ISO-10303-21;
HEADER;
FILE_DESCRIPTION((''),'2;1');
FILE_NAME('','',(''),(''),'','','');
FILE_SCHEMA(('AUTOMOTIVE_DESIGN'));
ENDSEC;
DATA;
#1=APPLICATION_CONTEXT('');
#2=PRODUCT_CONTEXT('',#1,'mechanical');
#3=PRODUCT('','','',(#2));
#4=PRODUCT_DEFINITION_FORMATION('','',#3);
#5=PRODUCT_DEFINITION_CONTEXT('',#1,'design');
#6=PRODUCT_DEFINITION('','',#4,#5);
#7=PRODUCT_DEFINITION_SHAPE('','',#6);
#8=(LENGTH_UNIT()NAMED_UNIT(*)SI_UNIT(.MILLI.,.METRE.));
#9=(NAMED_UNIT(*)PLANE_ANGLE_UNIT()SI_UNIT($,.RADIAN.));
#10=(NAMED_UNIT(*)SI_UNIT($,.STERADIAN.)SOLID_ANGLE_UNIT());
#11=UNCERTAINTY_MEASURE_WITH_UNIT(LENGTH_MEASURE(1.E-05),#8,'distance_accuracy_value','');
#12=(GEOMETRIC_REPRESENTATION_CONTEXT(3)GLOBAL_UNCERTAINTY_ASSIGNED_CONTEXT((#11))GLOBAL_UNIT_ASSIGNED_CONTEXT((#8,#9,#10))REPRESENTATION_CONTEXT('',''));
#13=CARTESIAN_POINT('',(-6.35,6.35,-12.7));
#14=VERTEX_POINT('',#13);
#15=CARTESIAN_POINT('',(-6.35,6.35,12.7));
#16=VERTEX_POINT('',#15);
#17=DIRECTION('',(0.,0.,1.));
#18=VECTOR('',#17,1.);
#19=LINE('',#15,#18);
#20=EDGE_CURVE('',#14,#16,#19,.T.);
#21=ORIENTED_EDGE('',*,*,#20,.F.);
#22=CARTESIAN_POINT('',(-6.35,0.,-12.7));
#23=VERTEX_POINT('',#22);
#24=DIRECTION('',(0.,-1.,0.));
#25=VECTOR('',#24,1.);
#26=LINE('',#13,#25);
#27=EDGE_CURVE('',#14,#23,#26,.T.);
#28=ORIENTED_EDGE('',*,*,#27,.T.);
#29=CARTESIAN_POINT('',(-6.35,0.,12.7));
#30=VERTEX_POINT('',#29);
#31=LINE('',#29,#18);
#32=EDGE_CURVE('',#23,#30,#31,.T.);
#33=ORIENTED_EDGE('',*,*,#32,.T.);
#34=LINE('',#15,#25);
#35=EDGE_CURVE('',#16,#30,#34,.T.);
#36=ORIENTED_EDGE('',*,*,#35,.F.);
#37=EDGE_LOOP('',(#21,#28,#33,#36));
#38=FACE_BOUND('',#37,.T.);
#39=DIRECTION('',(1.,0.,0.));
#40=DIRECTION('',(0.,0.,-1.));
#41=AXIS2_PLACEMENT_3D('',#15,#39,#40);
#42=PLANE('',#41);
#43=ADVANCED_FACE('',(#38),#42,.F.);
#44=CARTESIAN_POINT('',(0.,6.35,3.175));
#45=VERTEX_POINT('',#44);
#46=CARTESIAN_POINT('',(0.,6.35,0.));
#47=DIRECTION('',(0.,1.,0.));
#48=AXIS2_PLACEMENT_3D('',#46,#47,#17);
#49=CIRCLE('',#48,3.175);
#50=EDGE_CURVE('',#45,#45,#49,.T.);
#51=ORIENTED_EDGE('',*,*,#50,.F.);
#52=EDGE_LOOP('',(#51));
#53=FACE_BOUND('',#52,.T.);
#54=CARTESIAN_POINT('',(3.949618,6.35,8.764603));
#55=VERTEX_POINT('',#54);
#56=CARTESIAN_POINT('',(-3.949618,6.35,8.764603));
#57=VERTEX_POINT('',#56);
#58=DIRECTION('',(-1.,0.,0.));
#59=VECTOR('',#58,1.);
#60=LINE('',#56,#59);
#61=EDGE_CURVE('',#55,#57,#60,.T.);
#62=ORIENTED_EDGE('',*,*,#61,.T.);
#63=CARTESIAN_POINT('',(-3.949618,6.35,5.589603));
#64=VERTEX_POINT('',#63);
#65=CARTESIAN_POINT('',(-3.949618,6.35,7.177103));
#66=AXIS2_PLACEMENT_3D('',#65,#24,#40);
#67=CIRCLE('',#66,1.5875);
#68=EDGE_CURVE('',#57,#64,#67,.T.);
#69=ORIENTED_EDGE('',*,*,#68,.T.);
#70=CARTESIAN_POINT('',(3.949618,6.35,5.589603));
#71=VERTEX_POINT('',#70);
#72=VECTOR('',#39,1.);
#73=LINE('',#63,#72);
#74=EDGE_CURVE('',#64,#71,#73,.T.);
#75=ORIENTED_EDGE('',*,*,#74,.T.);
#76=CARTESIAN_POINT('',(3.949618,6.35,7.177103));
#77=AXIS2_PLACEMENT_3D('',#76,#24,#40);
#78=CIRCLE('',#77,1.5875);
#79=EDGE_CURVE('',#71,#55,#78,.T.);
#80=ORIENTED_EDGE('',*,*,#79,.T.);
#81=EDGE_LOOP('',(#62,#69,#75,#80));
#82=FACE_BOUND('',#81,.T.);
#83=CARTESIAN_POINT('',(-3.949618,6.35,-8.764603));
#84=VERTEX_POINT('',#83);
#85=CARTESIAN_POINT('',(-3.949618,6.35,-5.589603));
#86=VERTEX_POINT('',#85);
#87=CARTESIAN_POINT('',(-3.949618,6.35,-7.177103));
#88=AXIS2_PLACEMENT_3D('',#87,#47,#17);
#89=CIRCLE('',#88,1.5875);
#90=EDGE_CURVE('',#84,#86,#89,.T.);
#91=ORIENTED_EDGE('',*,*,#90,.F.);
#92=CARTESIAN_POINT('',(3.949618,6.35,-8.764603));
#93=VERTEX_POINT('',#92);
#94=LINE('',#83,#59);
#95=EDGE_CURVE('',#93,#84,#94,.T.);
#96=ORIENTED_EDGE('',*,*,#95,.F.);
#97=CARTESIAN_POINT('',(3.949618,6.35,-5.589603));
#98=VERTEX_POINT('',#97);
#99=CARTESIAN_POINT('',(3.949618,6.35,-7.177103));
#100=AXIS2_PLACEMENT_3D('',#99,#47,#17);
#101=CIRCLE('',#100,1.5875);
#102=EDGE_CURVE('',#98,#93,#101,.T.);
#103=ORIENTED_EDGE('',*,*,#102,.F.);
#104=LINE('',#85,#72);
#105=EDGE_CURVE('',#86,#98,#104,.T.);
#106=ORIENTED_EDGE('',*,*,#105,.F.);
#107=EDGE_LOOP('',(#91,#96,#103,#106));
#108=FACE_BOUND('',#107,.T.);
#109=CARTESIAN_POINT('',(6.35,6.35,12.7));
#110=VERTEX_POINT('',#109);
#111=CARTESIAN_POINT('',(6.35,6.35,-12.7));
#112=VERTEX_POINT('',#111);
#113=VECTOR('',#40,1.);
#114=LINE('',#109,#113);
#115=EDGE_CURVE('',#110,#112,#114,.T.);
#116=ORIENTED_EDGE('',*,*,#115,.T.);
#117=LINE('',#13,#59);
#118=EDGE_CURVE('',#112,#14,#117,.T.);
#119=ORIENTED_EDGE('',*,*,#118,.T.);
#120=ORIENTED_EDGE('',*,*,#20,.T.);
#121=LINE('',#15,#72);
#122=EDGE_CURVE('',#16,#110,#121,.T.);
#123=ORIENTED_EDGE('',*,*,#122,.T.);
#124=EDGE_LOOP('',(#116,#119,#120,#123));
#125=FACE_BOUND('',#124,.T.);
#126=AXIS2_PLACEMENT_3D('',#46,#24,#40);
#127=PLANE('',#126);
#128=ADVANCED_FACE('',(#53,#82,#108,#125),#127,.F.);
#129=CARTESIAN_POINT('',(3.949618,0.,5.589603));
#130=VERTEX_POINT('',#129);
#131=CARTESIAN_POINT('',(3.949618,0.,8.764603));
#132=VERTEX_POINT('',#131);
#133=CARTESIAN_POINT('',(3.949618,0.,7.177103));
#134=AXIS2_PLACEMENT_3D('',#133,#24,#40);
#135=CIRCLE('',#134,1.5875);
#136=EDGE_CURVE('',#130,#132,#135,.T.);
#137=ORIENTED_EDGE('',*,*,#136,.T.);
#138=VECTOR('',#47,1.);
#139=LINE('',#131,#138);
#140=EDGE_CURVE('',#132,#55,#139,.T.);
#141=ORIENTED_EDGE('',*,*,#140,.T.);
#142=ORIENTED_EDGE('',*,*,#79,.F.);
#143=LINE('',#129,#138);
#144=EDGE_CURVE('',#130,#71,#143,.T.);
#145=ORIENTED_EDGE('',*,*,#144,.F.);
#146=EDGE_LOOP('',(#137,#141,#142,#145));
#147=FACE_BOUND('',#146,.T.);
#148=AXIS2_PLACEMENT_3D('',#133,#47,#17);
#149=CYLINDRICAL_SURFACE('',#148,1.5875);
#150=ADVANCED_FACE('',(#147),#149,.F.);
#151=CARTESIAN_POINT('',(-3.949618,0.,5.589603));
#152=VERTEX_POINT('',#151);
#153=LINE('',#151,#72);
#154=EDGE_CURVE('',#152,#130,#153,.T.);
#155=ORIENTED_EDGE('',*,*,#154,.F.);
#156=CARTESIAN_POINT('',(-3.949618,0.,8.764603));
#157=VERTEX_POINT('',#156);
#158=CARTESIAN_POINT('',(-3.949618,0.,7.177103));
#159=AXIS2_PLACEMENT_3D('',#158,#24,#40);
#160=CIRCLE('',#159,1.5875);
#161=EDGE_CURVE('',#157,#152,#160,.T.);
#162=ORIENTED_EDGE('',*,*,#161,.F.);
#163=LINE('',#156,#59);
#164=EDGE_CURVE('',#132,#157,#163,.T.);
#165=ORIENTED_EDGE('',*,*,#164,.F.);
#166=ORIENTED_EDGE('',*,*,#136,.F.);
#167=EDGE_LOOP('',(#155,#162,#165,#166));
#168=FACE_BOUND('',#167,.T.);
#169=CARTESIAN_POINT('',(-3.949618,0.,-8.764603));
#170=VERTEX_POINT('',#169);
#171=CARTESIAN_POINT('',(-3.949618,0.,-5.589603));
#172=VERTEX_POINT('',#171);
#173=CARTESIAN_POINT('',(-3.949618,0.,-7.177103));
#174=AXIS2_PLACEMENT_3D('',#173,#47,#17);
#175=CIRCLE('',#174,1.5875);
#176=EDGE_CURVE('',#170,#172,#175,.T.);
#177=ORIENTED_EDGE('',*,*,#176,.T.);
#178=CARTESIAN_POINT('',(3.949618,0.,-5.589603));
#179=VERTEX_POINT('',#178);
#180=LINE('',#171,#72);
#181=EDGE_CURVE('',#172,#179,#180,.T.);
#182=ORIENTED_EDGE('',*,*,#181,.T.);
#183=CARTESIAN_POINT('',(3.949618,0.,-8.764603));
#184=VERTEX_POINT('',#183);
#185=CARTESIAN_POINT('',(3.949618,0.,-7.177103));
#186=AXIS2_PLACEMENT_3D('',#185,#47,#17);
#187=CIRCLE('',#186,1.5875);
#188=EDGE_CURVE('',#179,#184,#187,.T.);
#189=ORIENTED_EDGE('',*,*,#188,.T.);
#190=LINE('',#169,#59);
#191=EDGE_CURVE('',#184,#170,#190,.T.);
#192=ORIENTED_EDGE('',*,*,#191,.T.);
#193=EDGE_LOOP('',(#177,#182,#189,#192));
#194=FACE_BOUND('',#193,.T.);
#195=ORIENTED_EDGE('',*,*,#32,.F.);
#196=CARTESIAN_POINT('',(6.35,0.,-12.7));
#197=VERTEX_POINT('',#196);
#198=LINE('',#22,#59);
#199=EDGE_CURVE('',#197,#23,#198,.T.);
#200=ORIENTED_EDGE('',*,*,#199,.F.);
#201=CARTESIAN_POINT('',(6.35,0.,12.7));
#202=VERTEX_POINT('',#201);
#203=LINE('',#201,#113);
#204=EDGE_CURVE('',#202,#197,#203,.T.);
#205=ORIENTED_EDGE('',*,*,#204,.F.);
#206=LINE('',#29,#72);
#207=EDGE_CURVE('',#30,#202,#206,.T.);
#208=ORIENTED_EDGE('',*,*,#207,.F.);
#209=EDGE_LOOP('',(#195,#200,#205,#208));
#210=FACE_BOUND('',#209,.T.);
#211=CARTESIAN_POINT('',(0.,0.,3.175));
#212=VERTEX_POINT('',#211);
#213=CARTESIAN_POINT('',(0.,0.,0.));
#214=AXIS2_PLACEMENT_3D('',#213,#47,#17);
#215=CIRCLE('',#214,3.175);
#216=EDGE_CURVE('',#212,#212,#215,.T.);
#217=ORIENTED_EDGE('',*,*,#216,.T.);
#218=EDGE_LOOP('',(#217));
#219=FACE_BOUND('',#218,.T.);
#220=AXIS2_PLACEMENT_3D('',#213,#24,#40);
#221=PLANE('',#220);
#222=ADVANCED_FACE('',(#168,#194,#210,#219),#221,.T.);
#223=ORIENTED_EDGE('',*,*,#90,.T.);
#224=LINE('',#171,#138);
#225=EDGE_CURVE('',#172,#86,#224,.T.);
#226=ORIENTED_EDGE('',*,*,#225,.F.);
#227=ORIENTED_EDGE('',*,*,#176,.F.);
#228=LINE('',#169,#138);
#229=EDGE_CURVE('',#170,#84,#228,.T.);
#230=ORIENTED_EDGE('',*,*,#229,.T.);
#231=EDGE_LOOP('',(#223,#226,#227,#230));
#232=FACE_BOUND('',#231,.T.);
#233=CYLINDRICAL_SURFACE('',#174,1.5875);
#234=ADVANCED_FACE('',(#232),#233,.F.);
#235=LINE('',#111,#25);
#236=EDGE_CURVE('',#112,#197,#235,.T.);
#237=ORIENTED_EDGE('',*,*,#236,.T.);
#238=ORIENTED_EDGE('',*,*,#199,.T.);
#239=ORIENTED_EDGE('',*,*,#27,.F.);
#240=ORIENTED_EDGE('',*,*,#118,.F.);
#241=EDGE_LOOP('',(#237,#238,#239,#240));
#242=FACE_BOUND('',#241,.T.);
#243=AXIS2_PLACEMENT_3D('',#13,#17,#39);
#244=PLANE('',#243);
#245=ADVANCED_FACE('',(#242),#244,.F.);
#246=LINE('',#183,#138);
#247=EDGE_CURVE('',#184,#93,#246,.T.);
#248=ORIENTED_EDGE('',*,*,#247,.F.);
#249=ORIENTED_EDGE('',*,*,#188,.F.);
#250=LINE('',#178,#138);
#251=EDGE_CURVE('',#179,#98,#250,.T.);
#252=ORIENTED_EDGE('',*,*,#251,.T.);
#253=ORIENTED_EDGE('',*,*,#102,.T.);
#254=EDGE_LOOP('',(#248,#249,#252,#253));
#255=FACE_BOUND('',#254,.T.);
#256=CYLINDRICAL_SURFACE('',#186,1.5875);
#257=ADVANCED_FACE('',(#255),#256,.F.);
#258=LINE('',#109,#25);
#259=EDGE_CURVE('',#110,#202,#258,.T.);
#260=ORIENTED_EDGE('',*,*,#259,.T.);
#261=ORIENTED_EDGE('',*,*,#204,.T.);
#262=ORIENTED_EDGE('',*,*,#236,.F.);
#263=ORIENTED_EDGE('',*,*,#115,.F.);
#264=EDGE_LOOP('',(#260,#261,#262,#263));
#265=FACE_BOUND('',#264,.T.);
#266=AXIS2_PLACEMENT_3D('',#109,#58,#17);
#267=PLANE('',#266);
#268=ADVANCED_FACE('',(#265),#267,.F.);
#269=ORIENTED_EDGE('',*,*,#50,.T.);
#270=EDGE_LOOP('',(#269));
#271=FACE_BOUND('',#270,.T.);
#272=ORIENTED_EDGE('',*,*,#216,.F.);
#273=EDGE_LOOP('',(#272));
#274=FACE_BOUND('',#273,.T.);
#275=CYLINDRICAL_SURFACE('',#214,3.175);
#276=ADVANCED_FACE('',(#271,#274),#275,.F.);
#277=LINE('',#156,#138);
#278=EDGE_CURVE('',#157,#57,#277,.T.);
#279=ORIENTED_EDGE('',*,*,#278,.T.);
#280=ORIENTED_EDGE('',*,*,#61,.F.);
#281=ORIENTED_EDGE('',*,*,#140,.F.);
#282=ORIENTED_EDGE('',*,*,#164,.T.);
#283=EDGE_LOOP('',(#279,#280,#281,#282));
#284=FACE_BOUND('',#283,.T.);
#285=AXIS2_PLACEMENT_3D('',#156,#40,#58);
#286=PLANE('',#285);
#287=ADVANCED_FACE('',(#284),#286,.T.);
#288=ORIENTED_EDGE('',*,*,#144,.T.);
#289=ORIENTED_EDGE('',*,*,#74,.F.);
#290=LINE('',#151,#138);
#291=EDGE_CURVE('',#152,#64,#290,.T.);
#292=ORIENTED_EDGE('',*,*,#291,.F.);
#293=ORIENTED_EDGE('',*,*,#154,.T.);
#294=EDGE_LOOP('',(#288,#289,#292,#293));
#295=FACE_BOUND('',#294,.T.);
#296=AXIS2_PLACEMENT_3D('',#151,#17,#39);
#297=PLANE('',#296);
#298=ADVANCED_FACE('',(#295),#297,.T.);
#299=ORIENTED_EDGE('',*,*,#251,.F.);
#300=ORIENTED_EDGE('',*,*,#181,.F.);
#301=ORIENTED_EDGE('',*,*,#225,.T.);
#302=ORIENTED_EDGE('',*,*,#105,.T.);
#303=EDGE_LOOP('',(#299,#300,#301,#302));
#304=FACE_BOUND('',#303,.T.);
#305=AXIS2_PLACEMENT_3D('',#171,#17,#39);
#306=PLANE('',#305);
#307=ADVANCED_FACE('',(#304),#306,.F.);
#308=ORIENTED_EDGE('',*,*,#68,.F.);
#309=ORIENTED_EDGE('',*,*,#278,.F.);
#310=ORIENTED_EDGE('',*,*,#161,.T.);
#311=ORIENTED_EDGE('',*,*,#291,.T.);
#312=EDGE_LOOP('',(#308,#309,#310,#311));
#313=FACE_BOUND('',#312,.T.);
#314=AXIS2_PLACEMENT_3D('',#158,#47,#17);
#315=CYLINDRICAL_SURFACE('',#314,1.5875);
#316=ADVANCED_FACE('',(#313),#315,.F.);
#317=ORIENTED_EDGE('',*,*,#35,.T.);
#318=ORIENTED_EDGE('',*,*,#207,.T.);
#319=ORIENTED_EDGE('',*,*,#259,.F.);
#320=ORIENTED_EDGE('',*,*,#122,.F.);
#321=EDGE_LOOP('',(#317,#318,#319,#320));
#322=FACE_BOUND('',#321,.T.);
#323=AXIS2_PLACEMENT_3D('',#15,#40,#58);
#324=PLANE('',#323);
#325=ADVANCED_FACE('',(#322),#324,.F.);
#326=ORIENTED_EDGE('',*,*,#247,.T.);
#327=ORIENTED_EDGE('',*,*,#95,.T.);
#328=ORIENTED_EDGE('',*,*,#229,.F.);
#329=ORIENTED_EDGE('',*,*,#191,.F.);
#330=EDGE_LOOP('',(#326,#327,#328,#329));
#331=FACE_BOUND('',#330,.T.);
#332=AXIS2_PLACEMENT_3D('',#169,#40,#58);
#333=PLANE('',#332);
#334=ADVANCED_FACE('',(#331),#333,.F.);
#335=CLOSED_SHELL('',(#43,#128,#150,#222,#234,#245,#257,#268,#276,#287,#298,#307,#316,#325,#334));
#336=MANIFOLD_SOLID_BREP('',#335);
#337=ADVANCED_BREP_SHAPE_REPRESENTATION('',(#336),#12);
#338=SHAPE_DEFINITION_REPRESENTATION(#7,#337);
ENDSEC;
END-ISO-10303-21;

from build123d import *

# Parameters (mm, degrees)
SKETCH1_W           = 12.7
SKETCH1_H           = 25.4
BOSS_EXTRUDE1_DEPTH = 6.35
SKETCH2_R           = 3.175
CUT_EXTRUDE1_DEPTH  = 16.554259867
CUT_EXTRUDE2_DEPTH  = 16.554259867


with BuildPart() as part:
    # Sketch1 → Boss-Extrude1 (new body)
    with BuildSketch(Plane(origin=(0, 0, 0), x_dir=(1, 0, 0), z_dir=(0, 1, 0))):
        Rectangle(SKETCH1_W, SKETCH1_H)
    extrude(amount=BOSS_EXTRUDE1_DEPTH)

    # Sketch2 → Cut-Extrude1 (cut, through all)
    with BuildSketch(Plane(origin=(0, 6.35, 0), x_dir=(1, 0, 0), z_dir=(0, 1, 0))):
        with Locations(Location((0, 0, 0), (0, 0, 270))):
            Circle(SKETCH2_R)
    extrude(amount=-CUT_EXTRUDE1_DEPTH, mode=Mode.SUBTRACT)

    # Sketch3 → Cut-Extrude2 (cut, through all)
    with BuildSketch(Plane(origin=(0, 6.35, 0), x_dir=(1, 0, 0), z_dir=(0, 1, 0))):
        with BuildLine():
            Line((-3.949618405, 8.764602641), (3.949618405, 8.764602641))
            ThreePointArc((3.949618405, 8.764602641), (5.537118405, 7.177102641), (3.949618405, 5.589602641))
            Line((3.949618405, 5.589602641), (-3.949618405, 5.589602641))
            ThreePointArc((-3.949618405, 5.589602641), (-5.537118405, 7.177102641), (-3.949618405, 8.764602641))
        make_face()
    cut_extrude2 = extrude(amount=-CUT_EXTRUDE2_DEPTH, mode=Mode.SUBTRACT)

    # Mirror1: Cut-Extrude2 across plane
    add(cut_extrude2.mirror(Plane.XY), mode=Mode.SUBTRACT)


solid = part.part
